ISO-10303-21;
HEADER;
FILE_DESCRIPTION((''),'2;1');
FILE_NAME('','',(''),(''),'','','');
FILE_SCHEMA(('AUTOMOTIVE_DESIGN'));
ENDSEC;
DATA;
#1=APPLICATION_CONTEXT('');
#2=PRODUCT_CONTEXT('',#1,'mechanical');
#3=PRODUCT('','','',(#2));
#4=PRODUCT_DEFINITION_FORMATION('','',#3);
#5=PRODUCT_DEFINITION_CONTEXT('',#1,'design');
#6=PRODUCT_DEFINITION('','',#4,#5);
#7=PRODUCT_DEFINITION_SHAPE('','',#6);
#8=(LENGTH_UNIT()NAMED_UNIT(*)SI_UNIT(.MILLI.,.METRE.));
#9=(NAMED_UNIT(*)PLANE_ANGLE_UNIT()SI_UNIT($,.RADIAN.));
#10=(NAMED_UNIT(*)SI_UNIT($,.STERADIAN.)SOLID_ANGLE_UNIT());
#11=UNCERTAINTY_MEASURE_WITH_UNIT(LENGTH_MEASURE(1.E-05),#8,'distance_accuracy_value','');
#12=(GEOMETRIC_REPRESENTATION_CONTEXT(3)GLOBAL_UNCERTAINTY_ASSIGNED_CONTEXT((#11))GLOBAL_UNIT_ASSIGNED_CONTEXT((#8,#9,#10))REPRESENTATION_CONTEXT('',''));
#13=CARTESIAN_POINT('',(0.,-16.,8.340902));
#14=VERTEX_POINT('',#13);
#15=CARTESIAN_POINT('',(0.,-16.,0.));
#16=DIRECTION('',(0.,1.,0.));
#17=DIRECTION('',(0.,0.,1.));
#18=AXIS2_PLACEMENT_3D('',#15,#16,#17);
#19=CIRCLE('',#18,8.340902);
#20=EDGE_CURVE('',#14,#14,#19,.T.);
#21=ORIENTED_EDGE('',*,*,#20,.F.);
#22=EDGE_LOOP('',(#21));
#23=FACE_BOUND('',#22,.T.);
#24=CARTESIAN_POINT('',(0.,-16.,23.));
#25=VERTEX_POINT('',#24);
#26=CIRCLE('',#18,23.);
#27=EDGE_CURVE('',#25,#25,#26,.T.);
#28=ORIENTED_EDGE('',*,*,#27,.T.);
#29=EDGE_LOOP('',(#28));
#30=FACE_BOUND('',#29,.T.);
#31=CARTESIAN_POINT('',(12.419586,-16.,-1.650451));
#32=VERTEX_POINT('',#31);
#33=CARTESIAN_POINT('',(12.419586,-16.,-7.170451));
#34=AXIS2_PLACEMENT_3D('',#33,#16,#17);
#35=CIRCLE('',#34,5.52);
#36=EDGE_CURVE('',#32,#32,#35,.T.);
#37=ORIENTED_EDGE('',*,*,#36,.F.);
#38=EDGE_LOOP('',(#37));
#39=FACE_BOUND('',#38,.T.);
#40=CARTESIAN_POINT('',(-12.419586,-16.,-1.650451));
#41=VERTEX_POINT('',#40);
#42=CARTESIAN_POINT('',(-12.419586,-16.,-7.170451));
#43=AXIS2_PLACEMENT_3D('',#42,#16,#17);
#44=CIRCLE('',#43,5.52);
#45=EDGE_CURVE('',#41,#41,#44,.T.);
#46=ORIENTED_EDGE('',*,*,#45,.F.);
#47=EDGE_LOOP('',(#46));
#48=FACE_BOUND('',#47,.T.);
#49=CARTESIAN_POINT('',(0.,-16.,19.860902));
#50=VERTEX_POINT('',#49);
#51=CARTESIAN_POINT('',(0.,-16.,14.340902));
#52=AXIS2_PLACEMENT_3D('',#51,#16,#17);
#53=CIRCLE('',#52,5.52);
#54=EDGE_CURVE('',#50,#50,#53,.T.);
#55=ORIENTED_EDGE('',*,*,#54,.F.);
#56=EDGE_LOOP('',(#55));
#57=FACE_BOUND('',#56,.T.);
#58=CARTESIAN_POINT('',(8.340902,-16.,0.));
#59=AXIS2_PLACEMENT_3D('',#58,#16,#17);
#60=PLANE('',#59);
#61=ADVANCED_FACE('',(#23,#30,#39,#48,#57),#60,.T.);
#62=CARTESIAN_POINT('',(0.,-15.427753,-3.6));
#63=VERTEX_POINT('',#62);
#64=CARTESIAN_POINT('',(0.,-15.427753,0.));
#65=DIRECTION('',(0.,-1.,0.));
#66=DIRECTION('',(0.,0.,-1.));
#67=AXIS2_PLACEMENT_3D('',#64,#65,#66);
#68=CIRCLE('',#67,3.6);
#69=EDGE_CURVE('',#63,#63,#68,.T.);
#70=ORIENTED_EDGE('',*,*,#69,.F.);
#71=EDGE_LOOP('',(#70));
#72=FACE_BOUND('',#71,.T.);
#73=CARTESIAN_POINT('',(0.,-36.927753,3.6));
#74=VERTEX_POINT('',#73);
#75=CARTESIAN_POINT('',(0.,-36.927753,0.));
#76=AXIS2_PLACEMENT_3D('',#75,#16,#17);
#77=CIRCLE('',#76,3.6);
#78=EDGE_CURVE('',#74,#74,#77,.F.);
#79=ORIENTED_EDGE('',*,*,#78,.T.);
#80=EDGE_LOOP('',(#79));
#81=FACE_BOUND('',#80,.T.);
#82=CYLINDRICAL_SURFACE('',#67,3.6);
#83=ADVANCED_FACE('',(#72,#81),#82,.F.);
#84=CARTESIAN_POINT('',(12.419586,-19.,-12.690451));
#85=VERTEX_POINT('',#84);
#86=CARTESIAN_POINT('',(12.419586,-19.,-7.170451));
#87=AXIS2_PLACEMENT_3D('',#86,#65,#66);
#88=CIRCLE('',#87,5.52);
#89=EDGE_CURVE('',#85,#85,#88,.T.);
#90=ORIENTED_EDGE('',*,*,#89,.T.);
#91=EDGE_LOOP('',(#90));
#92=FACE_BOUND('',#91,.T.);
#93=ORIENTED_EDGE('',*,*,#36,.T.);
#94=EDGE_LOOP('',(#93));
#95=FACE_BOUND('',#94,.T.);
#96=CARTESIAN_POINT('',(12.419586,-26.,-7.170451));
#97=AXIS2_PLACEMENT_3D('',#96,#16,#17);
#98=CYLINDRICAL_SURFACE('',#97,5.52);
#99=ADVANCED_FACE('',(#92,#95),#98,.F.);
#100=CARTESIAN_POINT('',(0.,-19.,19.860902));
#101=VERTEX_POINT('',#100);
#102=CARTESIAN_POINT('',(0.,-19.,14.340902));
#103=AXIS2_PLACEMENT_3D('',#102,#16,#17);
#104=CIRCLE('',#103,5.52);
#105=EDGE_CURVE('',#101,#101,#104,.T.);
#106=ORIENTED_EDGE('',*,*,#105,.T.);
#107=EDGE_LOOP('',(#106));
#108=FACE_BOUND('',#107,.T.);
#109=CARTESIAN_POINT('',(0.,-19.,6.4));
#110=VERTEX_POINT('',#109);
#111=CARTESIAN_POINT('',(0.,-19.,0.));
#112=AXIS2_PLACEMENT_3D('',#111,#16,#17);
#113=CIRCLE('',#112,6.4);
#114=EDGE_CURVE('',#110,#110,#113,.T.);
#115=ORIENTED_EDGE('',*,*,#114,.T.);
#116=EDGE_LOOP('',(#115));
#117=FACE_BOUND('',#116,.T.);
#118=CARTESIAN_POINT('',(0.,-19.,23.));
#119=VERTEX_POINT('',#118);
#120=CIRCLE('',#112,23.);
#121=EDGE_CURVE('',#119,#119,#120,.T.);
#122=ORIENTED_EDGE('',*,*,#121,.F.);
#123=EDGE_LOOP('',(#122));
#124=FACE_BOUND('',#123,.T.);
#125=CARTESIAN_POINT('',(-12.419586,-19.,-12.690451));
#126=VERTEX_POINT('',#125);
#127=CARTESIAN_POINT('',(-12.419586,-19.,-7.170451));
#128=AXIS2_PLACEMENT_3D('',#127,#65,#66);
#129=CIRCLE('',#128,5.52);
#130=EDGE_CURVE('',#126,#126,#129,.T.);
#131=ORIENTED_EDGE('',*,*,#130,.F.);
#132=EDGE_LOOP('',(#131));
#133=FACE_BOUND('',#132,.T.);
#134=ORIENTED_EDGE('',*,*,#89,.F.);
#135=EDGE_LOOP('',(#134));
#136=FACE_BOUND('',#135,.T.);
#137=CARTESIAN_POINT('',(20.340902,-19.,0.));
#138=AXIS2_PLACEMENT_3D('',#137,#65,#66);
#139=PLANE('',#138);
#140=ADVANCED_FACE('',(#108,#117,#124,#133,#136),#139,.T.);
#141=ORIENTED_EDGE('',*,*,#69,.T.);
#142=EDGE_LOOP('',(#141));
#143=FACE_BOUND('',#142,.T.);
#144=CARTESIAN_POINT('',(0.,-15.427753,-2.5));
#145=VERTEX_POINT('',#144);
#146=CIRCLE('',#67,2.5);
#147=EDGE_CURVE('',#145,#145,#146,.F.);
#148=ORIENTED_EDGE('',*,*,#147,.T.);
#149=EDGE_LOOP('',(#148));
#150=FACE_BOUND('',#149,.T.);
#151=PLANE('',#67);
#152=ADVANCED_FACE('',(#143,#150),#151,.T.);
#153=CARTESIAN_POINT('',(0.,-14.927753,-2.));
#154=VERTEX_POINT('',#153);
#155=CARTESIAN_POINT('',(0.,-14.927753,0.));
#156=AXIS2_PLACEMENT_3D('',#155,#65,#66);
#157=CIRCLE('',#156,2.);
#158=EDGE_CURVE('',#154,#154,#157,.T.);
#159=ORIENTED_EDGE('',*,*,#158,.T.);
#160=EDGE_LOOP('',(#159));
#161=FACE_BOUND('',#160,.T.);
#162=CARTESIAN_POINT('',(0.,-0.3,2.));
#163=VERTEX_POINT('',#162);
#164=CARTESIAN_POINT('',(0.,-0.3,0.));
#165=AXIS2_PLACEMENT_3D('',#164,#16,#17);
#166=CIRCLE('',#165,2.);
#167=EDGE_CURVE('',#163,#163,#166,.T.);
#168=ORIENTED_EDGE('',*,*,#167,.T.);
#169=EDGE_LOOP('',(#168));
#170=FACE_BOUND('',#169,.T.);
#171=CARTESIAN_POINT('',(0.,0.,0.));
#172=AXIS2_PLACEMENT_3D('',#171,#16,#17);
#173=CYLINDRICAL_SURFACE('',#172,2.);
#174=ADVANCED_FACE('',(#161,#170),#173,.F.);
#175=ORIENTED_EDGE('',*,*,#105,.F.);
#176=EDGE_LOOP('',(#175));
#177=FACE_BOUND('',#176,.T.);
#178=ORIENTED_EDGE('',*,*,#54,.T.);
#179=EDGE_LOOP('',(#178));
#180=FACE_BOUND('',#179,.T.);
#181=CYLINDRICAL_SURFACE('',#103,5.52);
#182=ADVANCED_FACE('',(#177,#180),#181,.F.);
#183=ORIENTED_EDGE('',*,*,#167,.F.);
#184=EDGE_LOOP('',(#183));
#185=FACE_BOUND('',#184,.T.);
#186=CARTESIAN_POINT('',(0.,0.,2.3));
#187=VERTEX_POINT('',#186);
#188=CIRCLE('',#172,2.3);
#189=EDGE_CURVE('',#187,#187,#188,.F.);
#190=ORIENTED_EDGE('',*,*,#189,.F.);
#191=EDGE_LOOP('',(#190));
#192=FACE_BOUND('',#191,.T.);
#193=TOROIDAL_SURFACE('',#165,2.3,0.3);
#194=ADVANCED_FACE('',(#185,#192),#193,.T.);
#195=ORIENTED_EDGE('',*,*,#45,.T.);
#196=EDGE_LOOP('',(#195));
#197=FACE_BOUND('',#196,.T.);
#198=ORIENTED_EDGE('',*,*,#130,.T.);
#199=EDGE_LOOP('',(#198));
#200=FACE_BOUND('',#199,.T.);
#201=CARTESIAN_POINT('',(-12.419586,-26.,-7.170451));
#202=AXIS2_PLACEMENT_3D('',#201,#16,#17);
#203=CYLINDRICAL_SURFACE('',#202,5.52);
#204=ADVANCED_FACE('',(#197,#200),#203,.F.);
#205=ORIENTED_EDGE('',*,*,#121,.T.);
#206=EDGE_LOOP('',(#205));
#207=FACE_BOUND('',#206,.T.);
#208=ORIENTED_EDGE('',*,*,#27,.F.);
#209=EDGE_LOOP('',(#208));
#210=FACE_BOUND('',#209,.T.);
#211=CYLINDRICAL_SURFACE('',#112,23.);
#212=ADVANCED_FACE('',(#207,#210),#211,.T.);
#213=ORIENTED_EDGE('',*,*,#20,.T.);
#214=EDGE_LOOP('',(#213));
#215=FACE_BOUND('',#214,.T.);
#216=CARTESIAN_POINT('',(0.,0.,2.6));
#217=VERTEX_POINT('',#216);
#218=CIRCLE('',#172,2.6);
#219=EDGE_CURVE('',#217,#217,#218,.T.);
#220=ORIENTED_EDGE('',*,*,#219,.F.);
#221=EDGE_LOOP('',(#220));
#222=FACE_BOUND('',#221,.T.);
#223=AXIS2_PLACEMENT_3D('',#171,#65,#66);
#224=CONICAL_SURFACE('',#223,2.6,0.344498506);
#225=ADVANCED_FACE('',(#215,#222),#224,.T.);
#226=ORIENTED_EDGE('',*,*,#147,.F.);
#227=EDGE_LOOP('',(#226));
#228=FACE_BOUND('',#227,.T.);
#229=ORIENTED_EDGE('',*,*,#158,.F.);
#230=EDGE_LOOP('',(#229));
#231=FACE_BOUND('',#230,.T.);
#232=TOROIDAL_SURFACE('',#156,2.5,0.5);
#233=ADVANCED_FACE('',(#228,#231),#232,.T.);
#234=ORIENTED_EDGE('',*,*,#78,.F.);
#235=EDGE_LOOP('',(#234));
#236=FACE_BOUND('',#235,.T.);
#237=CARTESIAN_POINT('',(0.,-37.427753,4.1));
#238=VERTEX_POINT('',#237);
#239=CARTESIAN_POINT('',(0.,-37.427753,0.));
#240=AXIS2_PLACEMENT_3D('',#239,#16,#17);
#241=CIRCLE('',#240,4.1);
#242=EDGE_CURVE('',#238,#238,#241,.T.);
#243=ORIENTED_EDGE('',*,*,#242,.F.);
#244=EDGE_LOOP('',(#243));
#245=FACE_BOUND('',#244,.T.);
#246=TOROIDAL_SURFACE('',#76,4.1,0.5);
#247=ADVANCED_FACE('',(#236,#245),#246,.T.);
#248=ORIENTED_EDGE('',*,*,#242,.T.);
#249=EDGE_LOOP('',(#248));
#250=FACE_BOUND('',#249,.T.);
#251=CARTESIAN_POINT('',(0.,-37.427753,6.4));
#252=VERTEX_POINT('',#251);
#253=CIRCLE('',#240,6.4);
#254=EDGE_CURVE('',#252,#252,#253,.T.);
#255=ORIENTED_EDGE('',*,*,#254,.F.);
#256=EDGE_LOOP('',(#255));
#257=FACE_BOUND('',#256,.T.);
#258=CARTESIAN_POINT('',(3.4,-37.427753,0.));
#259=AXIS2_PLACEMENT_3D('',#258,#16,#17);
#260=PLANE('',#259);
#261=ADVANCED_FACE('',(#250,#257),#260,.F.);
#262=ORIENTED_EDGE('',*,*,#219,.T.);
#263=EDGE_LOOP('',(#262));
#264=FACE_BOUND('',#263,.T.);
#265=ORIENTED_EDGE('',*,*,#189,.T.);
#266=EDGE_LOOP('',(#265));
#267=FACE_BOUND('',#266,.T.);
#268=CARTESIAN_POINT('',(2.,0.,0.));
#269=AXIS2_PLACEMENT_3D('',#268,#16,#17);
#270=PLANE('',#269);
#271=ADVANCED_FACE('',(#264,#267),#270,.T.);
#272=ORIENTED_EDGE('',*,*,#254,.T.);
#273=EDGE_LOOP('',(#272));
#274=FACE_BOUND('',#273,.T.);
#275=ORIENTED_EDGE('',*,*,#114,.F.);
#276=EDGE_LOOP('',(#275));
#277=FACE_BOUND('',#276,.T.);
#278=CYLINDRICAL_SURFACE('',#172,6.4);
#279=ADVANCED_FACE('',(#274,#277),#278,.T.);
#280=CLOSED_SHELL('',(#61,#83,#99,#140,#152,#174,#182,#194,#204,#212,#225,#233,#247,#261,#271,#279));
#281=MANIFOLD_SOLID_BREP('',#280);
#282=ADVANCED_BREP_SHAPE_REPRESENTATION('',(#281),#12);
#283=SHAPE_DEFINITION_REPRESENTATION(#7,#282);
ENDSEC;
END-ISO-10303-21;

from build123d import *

# Parameters (mm, degrees)
FILLET1_R               = 0.3
SKETCH3_R               = 3.6
CUT_EXTRUDE1_DEPTH      = 1
CUT_EXTRUDE1_DEPTH_BACK = 22
FILLET2_R               = 0.5
FILLET3_R               = 0.5
SKETCH5_W               = 6.5
SKETCH5_H               = 2
SKETCH6_W               = 8.5
SKETCH6_H               = 2
SKETCH8_W               = 8.5
SKETCH8_H               = 3
SKETCH7_W               = 6.5
SKETCH7_H               = 3
SKETCH11_R              = 5.52
CUT_EXTRUDE3_DEPTH      = 10
CUT_EXTRUDE4_DEPTH      = 10
BOSS_EXTRUDE1_DEPTH     = 3
SKETCH15_R              = 23
SKETCH15_R_2            = 8.340902118
SKETCH15_R_3            = 5.6
BOSS_EXTRUDE4_DEPTH     = 3
SKETCH16_R              = 5.52
CUT_EXTRUDE6_DEPTH      = 3


with BuildPart() as part:
    # Sketch2 → Revolve1 (revolve)
    with BuildSketch(Plane.XY):
        Polygon((2, 0), (2.6, 0), (8.340902118, -16), (20.340902118, -16), (20.340902118, -19), (6.4, -19), (6.4, -37.427752697), (3.4, -37.427752697), (3.4, -16), (2, -16), align=None)
    revolve(axis=Axis((0, 0, 0), (0, -1, 0)))

    # Fillet1
    fillet1_edges = [part.edges().sort_by_distance(p)[0] for p in [
        (-2, 0, 0),
    ]]
    fillet(fillet1_edges, radius=FILLET1_R)

    # Sketch3 → Cut-Extrude1 (cut, two sides)
    with BuildSketch(Plane.XZ.offset(37.427752697)) as cut_extrude1_sk:
        Circle(SKETCH3_R)
    extrude(amount=CUT_EXTRUDE1_DEPTH, mode=Mode.SUBTRACT)
    extrude(cut_extrude1_sk.sketch, amount=-CUT_EXTRUDE1_DEPTH_BACK, mode=Mode.SUBTRACT)

    # Fillet2
    fillet2_edges = [part.edges().sort_by_distance(p)[0] for p in [
        (-2, -15.427752697, 0),
    ]]
    fillet(fillet2_edges, radius=FILLET2_R)

    # Fillet3
    fillet3_edges = [part.edges().sort_by_distance(p)[0] for p in [
        (-3.6, -37.427752697, 0),
    ]]
    fillet(fillet3_edges, radius=FILLET3_R)

    # Sketch5 → Cut-Loft2 section 0
    with BuildSketch(Plane(origin=(0, -16, 0), x_dir=(1, 0, 0), z_dir=(0, 1, 0))):
        with Locations((0, -15)):
            Rectangle(SKETCH5_W, SKETCH5_H)
    # Sketch6 → Cut-Loft2 section 1
    with BuildSketch(Plane.XZ.offset(19)):
        with Locations((0, 15)):
            Rectangle(SKETCH6_W, SKETCH6_H)
    loft(mode=Mode.SUBTRACT)

    # Sketch8 → Cut-Loft3 section 0
    with BuildSketch(Plane.XZ.offset(19)):
        with Locations((0, 15)):
            Rectangle(SKETCH8_W, SKETCH8_H)
    # Sketch7 → Cut-Loft3 section 1
    with BuildSketch(Plane(origin=(0, -16, 0), x_dir=(1, 0, 0), z_dir=(0, 1, 0))):
        with Locations((0, -15)):
            Rectangle(SKETCH7_W, SKETCH7_H)
    loft(mode=Mode.SUBTRACT)

    # Sketch11 → Cut-Extrude3 (cut)
    with BuildSketch(Plane(origin=(0, -16, 0), x_dir=(1, 0, 0), z_dir=(0, 1, 0))):
        with Locations((0, 14.340902118)):
            Circle(SKETCH11_R)
        with Locations((12.419585547, 7.170451059)):
            Circle(SKETCH11_R)
        with BuildLine():
            ThreePointArc((-17.200045776, 9.930451059), (-15.179585547, 2.38999083), (-7.639125318, 4.410451059))
            Line((-7.639125318, 4.410451059), (-12.419585547, 7.170451059))
            Line((-12.419585547, 7.170451059), (-17.200045776, 9.930451059))
        make_face()
        with BuildLine():
            Line((-12.419585547, 7.170451059), (-7.639125318, 4.410451059))
            ThreePointArc((-7.639125318, 4.410451059), (-7.087674986, 5.74176993), (-6.899585547, 7.170451059))
            ThreePointArc((-6.899585547, 7.170451059), (-10.990904418, 12.50236162), (-17.200045776, 9.930451059))
            Line((-17.200045776, 9.930451059), (-12.419585547, 7.170451059))
        make_face()
    extrude(amount=-CUT_EXTRUDE3_DEPTH, mode=Mode.SUBTRACT)

    # Sketch13 → Cut-Extrude4 (cut)
    with BuildSketch(Plane(origin=(0, -16, 0), x_dir=(1, 0, 0), z_dir=(0, 1, 0))):
        with BuildLine():
            Line((-8.340902118, 0), (-20.340902118, 0))
            ThreePointArc((-20.340902118, 0), (-17.61573797, -10.170451059), (-10.170451059, -17.61573797))
            Line((-10.170451059, -17.61573797), (-4.170451059, -7.223433125))
            ThreePointArc((-4.170451059, -7.223433125), (-7.223433125, -4.170451059), (-8.340902118, 0))
        make_face()
        with BuildLine():
            Line((8.340902118, 0), (20.340902118, 0))
            ThreePointArc((20.340902118, 0), (17.546873261, -10.288806428), (9.932362997, -17.751069384))
            Line((9.932362997, -17.751069384), (4.072821701, -7.278926537))
            ThreePointArc((4.072821701, -7.278926537), (7.195194761, -4.218983349), (8.340902118, 0))
        make_face()
    extrude(amount=-CUT_EXTRUDE4_DEPTH, mode=Mode.SUBTRACT)

    # Sketch14 → Boss-Extrude1 (add)
    with BuildSketch(Plane(origin=(0, -16, 0), x_dir=(1, 0, 0), z_dir=(0, 1, 0))):
        with BuildLine():
            ThreePointArc((0, 20.340902118), (14.383189823, 14.383189823), (20.340902118, 0))
            Line((20.340902118, 0), (23, 0))
            ThreePointArc((23, 0), (16.263455967, 16.263455967), (0, 23))
            Line((0, 23), (0, 20.340902118))
        make_face()
        with BuildLine():
            Line((-23, 0), (-20.340902118, 0))
            ThreePointArc((-20.340902118, 0), (-14.383189823, 14.383189823), (0, 20.340902118))
            Line((0, 20.340902118), (0, 23))
            ThreePointArc((0, 23), (-16.263455967, 16.263455967), (-23, 0))
        make_face()
    extrude(amount=-BOSS_EXTRUDE1_DEPTH)

    # Sketch15 → Boss-Extrude4 (add)
    with BuildSketch(Plane(origin=(0, -16, 0), x_dir=(1, 0, 0), z_dir=(0, 1, 0))):
        Circle(SKETCH15_R)
        Circle(SKETCH15_R_2, mode=Mode.SUBTRACT)
        with Locations((-12.419585547, 7.170451059)):
            Circle(SKETCH15_R_3, mode=Mode.SUBTRACT)
        with Locations((12.419585547, 7.170451059)):
            Circle(SKETCH15_R_3, mode=Mode.SUBTRACT)
        with Locations((0, -14.340902118)):
            Circle(SKETCH15_R_3, mode=Mode.SUBTRACT)
    extrude(amount=-BOSS_EXTRUDE4_DEPTH)

    # Sketch16 → Cut-Extrude6 (cut)
    with BuildSketch(Plane(origin=(0, -16, 0), x_dir=(1, 0, 0), z_dir=(0, 1, 0))):
        with Locations((0, -14.34090212)):
            Circle(SKETCH16_R)
    extrude(amount=-CUT_EXTRUDE6_DEPTH, mode=Mode.SUBTRACT)


solid = part.part
